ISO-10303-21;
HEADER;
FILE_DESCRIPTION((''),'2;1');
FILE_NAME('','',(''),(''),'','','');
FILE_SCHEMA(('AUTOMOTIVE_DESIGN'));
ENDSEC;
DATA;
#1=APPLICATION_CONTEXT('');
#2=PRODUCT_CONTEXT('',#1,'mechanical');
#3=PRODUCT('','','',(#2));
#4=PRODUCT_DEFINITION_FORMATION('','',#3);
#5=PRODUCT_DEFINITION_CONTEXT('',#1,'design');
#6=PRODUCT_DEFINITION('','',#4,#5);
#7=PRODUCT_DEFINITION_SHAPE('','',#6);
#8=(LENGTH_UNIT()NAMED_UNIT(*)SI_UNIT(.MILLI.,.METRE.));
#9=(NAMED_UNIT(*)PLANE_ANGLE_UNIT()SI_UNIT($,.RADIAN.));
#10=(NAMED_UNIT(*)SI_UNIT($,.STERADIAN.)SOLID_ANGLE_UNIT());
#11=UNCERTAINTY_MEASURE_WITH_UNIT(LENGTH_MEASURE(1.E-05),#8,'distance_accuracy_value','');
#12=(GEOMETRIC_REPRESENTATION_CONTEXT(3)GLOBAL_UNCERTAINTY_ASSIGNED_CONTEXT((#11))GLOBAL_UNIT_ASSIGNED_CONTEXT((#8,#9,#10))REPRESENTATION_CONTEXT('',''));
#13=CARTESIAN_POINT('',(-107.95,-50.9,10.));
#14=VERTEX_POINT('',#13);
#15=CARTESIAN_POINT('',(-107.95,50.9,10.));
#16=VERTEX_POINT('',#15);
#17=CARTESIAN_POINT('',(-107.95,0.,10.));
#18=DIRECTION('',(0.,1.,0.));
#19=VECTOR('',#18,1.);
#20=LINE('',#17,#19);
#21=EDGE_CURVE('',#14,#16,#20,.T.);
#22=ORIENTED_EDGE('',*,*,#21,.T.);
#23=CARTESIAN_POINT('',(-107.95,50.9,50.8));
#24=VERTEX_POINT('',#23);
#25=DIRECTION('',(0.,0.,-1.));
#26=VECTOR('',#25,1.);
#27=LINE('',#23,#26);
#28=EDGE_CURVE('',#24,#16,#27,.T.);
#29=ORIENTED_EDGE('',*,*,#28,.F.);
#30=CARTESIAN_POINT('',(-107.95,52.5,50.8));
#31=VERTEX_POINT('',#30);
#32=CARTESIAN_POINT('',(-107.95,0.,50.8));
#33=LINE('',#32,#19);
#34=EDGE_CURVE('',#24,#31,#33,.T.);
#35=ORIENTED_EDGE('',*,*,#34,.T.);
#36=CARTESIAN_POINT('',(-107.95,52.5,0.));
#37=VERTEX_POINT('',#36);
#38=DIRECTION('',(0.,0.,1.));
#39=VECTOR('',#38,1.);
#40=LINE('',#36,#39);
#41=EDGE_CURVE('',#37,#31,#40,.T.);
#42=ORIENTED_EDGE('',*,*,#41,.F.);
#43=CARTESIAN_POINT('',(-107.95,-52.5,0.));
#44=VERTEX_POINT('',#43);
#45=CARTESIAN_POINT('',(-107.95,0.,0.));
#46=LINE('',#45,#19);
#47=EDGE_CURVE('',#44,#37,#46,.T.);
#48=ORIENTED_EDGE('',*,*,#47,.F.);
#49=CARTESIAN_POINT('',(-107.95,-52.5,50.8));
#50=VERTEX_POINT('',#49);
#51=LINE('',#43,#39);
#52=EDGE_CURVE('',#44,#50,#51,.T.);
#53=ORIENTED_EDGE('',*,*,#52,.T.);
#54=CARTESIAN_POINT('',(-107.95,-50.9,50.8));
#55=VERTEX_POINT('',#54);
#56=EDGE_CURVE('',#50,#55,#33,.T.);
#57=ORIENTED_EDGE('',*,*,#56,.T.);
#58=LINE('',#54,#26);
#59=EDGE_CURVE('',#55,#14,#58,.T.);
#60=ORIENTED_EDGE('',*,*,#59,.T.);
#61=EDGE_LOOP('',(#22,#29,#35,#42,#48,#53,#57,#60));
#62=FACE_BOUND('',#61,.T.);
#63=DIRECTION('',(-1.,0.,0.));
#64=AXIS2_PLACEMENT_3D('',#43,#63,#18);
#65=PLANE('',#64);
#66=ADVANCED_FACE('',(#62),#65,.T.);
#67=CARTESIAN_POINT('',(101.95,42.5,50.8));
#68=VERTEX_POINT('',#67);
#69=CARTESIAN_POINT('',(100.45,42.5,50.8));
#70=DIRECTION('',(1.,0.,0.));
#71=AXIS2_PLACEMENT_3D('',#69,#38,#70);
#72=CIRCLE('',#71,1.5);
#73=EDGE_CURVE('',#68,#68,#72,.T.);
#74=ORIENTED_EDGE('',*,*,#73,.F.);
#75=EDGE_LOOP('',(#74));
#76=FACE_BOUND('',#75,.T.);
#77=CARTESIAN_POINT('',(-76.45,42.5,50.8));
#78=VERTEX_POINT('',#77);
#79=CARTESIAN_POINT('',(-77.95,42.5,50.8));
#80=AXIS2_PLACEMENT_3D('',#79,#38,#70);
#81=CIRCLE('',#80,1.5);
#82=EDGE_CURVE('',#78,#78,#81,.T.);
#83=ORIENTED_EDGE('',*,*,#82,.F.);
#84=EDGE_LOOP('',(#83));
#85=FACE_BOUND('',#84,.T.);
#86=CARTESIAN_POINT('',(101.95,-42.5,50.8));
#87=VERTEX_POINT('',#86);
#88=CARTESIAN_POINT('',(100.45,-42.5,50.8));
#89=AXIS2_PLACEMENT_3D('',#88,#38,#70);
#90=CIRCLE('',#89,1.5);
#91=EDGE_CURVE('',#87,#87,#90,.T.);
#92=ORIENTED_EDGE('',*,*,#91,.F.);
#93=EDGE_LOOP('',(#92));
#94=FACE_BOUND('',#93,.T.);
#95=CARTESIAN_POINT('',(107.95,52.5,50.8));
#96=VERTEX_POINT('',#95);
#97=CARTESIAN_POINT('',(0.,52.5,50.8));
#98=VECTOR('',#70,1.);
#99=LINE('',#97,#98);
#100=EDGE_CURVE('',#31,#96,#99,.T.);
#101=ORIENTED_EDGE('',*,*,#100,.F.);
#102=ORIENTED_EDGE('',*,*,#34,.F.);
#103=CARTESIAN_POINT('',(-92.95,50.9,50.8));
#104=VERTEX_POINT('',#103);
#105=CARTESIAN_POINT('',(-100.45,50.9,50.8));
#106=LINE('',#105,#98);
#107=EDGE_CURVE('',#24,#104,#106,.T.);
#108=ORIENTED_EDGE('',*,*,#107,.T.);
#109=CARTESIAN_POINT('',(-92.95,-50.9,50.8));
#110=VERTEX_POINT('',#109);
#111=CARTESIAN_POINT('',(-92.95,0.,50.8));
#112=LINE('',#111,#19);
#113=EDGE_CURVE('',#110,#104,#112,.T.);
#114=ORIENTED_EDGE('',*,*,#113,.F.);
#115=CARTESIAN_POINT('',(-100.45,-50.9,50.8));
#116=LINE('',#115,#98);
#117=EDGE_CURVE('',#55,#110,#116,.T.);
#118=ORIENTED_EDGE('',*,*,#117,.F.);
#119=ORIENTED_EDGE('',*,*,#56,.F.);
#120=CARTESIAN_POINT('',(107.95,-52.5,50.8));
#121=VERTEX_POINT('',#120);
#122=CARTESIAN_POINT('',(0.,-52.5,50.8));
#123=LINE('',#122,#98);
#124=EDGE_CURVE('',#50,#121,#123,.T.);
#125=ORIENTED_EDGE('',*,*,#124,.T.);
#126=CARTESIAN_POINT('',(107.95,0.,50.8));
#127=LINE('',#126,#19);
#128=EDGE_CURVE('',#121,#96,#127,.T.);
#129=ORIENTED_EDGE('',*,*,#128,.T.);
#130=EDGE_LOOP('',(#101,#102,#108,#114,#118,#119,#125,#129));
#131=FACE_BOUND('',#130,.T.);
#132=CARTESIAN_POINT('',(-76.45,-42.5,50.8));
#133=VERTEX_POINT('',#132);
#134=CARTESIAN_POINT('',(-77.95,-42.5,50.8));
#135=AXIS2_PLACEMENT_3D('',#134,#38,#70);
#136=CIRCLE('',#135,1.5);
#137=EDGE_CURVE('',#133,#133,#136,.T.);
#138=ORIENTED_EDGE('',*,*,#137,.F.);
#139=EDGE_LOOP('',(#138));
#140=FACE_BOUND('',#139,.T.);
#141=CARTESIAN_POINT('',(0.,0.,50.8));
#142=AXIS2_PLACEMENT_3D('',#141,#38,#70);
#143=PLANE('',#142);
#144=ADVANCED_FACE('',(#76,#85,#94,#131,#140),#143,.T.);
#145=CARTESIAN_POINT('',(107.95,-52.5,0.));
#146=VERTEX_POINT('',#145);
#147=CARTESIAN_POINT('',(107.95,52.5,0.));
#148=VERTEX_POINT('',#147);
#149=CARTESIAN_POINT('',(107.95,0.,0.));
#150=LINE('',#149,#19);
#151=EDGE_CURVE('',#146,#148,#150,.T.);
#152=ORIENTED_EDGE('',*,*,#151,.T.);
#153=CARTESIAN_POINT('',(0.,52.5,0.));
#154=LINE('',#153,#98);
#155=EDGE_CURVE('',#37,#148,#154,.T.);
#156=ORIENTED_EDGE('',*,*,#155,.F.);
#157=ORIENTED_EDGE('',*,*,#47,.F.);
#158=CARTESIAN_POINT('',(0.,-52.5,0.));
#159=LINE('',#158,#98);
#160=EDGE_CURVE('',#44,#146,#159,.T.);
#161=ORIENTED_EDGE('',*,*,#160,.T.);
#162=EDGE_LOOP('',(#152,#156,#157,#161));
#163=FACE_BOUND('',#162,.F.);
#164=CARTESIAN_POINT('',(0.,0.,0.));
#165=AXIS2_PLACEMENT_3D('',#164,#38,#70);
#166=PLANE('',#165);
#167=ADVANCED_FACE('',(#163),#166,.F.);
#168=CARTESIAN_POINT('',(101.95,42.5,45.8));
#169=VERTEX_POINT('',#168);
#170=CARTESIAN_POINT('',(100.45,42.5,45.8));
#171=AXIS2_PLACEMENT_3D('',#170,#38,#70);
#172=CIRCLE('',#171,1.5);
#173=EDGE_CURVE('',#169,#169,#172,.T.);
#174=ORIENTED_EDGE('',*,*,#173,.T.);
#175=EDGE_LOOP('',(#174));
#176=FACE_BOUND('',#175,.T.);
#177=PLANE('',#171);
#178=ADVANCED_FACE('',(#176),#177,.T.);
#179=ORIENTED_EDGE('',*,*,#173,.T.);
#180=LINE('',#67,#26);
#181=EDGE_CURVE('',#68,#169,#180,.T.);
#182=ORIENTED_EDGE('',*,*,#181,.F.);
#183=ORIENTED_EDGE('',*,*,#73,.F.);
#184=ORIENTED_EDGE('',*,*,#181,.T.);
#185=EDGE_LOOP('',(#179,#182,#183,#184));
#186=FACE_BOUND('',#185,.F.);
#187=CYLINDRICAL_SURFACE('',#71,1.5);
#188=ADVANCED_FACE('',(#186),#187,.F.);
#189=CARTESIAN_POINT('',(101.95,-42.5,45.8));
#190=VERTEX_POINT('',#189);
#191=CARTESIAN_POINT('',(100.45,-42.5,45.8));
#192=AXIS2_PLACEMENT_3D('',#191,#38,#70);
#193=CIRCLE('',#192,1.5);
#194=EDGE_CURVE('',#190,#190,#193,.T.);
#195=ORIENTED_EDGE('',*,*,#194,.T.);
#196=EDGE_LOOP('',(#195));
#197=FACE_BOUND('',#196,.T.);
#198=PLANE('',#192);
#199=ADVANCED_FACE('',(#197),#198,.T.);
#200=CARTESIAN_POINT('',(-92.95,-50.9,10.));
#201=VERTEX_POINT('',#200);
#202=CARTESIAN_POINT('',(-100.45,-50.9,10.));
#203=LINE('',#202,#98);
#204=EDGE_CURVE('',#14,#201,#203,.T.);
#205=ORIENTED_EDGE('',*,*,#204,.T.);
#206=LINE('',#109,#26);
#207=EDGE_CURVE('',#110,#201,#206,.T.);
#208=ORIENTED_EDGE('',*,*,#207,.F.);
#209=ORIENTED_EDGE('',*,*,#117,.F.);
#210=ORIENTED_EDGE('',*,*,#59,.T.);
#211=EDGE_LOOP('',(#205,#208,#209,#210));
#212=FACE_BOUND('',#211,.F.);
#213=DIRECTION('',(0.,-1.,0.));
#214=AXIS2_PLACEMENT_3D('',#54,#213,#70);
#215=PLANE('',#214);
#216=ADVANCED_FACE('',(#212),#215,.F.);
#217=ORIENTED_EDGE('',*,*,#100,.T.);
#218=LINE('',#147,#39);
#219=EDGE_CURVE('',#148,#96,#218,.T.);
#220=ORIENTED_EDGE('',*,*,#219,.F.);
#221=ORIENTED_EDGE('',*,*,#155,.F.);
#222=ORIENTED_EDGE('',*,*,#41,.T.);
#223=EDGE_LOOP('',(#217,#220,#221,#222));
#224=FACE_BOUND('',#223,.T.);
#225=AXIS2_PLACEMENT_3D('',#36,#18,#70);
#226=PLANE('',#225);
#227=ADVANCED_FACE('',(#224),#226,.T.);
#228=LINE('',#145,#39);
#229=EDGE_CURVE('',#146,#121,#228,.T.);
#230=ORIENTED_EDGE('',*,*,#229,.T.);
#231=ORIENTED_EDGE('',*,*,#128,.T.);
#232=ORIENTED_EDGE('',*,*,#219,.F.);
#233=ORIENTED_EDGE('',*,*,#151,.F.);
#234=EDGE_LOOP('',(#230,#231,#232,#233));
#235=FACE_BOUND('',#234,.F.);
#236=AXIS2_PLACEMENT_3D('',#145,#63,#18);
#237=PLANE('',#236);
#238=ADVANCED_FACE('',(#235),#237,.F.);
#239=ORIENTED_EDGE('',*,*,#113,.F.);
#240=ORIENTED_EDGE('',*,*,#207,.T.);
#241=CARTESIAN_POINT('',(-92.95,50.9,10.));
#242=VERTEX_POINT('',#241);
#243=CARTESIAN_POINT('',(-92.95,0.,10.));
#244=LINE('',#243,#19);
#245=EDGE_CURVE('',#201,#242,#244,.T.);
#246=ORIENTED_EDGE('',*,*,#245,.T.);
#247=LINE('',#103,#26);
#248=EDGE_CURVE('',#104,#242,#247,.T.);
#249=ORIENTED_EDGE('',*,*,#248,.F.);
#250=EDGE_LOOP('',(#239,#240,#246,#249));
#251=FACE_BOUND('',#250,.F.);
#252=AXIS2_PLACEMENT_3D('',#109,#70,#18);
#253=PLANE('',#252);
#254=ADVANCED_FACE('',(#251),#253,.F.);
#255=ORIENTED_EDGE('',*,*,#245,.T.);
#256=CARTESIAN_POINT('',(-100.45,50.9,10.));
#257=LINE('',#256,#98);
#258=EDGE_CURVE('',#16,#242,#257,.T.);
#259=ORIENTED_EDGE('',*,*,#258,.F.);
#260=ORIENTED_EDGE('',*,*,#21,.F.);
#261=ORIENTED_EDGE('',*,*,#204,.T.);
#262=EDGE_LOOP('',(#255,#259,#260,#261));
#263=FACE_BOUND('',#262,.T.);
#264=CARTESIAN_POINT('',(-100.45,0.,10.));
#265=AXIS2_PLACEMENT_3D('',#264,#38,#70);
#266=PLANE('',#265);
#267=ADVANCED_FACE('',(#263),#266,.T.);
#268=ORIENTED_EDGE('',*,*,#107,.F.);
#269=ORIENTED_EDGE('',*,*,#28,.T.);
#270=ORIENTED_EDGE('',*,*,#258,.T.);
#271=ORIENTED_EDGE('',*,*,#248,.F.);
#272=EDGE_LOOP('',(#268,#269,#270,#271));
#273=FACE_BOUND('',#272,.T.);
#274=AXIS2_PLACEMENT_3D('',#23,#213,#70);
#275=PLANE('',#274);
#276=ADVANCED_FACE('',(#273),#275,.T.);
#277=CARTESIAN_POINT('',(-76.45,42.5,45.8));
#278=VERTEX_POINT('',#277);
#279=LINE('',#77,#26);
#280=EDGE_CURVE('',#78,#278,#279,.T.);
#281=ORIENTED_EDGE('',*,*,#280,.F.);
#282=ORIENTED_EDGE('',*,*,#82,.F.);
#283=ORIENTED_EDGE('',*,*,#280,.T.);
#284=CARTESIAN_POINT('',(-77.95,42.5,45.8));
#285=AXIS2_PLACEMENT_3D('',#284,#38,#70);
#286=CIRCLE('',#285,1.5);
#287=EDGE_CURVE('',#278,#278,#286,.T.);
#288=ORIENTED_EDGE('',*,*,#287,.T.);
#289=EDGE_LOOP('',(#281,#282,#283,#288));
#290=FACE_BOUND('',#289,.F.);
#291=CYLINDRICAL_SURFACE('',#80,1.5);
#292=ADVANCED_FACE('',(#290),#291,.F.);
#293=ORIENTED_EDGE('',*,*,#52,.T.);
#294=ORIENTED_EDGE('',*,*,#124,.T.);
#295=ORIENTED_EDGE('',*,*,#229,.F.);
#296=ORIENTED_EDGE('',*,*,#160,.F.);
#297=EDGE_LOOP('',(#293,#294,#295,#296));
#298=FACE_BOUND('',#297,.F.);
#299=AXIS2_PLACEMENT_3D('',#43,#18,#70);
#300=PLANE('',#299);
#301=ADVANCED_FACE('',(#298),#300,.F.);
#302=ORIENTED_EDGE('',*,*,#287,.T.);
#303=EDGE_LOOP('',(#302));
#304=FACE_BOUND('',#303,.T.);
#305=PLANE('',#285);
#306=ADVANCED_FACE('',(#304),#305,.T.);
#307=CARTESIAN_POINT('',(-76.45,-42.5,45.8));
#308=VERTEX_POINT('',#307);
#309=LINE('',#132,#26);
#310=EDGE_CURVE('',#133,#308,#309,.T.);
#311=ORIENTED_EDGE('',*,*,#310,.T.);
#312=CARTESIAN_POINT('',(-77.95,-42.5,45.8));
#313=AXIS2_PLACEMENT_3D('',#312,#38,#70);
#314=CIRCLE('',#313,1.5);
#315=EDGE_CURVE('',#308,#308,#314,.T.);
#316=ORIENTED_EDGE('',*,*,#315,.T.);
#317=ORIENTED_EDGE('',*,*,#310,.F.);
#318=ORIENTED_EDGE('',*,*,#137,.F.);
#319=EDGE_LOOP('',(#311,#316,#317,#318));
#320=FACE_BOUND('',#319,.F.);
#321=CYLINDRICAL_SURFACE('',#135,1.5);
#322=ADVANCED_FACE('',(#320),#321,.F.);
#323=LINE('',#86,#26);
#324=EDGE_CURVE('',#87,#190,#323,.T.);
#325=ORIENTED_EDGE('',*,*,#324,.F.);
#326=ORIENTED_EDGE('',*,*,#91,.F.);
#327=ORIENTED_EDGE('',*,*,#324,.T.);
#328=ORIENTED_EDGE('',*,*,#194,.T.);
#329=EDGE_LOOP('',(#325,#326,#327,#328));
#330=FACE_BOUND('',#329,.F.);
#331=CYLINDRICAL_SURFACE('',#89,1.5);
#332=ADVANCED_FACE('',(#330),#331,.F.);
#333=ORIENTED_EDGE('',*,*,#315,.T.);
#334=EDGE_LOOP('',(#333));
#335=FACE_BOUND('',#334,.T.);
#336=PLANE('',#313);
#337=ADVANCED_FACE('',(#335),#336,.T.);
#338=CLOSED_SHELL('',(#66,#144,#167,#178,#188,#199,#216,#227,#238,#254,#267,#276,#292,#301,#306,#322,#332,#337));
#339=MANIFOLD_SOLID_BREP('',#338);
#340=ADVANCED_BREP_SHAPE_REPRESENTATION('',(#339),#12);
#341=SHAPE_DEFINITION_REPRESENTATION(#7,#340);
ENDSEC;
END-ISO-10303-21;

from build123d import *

# Parameters (mm, degrees)
F0_W     = 215.9
F0_H     = 105
F1_DEPTH = 50.8
F2_R     = 1.5
F3_DEPTH = 5
F4_W     = 15
F4_H     = 101.8
F5_DEPTH = 40.8


with BuildPart() as f1:
    # F0 (on Top) → F1 (new body)
    with BuildSketch(Plane.XY):
        Rectangle(F0_W, F0_H)
    extrude(amount=F1_DEPTH)

    # F2 (on face) → F3 (cut)
    with BuildSketch(Plane.XY.offset(50.8)):
        with Locations((100.45, 42.5)):
            Circle(F2_R)
        with Locations((100.45, -42.5)):
            Circle(F2_R)
        with Locations((-77.95, -42.5)):
            Circle(F2_R)
        with Locations((-77.95, 42.5)):
            Circle(F2_R)
    extrude(amount=-F3_DEPTH, mode=Mode.SUBTRACT)

    # F4 (on face) → F5 (cut)
    with BuildSketch(Plane.XY.offset(50.8)):
        with Locations((-100.45, 0)):
            Rectangle(F4_W, F4_H)
    extrude(amount=-F5_DEPTH, mode=Mode.SUBTRACT)


solid = f1.part
